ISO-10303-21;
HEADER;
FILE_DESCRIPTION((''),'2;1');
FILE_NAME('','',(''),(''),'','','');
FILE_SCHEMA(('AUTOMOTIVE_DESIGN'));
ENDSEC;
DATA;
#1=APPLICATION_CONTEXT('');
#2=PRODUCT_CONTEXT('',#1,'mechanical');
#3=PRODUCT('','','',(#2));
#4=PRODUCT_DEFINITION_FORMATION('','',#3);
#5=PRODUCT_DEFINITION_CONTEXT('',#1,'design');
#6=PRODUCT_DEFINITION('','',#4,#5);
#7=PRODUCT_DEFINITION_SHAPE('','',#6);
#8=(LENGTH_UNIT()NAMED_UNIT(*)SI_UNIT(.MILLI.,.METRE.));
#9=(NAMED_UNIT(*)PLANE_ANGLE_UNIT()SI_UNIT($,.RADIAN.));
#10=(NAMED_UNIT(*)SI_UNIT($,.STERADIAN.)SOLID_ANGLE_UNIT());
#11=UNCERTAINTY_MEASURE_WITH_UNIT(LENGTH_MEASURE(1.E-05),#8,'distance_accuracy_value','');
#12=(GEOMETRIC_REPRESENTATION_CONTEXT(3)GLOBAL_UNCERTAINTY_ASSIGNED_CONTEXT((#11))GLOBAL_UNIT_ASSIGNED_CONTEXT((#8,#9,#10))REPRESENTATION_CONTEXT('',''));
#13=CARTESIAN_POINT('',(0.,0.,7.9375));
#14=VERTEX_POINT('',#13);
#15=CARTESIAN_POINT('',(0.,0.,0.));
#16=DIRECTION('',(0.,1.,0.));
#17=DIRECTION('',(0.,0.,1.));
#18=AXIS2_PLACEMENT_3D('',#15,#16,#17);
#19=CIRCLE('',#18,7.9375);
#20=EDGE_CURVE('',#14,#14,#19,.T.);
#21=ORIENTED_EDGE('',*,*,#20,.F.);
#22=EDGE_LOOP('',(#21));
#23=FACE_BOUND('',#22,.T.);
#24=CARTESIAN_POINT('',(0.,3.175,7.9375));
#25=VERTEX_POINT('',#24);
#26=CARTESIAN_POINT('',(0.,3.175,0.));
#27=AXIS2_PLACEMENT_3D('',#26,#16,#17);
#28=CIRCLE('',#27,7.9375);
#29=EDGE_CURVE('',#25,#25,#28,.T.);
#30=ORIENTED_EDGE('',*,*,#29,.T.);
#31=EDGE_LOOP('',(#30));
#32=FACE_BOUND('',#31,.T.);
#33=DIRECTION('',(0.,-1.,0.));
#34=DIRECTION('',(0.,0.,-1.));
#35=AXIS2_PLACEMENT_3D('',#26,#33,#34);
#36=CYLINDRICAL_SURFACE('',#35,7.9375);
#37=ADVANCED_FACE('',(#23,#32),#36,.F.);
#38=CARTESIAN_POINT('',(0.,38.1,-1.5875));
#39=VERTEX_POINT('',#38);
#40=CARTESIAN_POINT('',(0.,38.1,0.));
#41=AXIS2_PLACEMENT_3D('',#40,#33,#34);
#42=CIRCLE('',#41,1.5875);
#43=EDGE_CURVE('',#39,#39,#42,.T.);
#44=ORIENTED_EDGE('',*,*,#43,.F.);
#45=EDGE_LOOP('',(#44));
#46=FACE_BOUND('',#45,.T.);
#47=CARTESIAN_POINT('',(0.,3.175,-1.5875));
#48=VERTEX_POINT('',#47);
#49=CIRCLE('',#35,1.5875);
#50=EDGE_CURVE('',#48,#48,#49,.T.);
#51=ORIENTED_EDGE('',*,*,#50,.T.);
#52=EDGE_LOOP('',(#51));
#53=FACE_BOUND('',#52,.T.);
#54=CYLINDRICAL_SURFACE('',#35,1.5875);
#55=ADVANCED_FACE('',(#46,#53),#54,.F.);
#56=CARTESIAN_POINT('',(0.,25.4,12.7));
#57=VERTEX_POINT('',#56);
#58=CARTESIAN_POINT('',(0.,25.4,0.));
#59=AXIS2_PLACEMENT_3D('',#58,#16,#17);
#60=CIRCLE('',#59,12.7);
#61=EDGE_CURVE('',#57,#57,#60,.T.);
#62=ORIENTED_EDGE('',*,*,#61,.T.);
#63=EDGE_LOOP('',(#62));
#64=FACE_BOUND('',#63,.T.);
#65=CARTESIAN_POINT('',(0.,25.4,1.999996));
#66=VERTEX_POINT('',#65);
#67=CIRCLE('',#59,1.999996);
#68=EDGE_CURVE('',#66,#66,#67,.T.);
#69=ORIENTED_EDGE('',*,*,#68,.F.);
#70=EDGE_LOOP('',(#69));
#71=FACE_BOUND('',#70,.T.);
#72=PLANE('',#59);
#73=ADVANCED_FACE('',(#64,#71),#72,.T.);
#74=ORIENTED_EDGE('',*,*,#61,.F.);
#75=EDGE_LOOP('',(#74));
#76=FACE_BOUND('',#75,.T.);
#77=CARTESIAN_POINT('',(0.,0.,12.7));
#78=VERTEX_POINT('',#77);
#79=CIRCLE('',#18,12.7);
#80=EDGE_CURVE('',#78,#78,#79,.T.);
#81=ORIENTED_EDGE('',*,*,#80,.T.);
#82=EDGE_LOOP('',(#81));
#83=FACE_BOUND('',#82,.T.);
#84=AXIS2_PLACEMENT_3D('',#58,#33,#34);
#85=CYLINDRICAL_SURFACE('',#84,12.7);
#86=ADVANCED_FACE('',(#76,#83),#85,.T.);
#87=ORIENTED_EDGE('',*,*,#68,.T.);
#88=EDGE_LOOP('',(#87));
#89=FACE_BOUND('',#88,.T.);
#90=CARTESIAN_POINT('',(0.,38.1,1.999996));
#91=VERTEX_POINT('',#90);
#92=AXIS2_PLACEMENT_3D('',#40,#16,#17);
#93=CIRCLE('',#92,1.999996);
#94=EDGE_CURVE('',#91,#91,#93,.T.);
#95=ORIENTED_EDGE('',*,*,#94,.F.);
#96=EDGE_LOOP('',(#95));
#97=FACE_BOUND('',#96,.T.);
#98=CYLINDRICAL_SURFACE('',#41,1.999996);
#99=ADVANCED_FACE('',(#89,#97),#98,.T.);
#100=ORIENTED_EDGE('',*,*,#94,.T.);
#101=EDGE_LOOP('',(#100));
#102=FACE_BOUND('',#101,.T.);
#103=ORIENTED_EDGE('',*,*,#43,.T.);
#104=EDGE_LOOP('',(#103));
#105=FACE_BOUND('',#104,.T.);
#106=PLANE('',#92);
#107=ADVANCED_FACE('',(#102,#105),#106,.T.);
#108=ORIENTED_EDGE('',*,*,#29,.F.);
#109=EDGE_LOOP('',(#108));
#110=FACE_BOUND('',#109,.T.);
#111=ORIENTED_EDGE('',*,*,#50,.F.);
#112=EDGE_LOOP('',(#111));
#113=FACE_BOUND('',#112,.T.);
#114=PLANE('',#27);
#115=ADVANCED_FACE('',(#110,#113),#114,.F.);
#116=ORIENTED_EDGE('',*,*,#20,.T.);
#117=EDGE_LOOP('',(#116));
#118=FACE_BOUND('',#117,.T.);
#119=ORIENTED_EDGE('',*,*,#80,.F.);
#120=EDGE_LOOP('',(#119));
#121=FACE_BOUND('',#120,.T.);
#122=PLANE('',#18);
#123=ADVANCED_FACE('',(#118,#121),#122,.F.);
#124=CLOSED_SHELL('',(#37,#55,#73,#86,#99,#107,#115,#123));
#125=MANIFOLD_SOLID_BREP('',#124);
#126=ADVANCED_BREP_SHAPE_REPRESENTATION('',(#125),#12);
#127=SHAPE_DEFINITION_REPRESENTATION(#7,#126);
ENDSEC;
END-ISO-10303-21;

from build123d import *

# Parameters (mm, degrees)
SKETCH1_R                    = 12.7
BOSS_EXTRUDE1_DEPTH          = 25.4
SKETCH2_R                    = 7.9375
CUT_EXTRUDE1_DEPTH           = 3.175
SKETCH12_R                   = 1.999996
BOSS_EXTRUDE3_DEPTH          = 12.7
F_1_8_0_125_DIAMETER_HOLE1_D = 3.175


with BuildPart() as part:
    # Sketch1 → Boss-Extrude1 (new body)
    with BuildSketch(Plane(origin=(0, 0, 0), x_dir=(1, 0, 0), z_dir=(0, 1, 0))):
        with Locations(Location((0, 0, 0), (0, 0, 270))):
            Circle(SKETCH1_R)
    extrude(amount=BOSS_EXTRUDE1_DEPTH)

    # Sketch2 → Cut-Extrude1 (cut)
    with BuildSketch(Plane(origin=(0, 0, 0), x_dir=(1, 0, 0), z_dir=(0, 1, 0))):
        with Locations(Location((0, 0, 0), (0, 0, 270))):
            Circle(SKETCH2_R)
    extrude(amount=CUT_EXTRUDE1_DEPTH, mode=Mode.SUBTRACT)

    # Sketch12 → Boss-Extrude3 (add)
    with BuildSketch(Plane(origin=(0, 25.4, 0), x_dir=(1, 0, 0), z_dir=(0, 1, 0))):
        with Locations(Location((0, 0, 0), (0, 0, 270))):
            Circle(SKETCH12_R)
    extrude(amount=BOSS_EXTRUDE3_DEPTH)

    # 1/8 (0.125) Diameter Hole1 (through all)
    with Locations(Plane(origin=(0, 3.175, 0), x_dir=(-1, 0, 0), z_dir=(0, -1, 0))):
        with Locations((0, 0)):
            Hole(F_1_8_0_125_DIAMETER_HOLE1_D / 2)


solid = part.part
